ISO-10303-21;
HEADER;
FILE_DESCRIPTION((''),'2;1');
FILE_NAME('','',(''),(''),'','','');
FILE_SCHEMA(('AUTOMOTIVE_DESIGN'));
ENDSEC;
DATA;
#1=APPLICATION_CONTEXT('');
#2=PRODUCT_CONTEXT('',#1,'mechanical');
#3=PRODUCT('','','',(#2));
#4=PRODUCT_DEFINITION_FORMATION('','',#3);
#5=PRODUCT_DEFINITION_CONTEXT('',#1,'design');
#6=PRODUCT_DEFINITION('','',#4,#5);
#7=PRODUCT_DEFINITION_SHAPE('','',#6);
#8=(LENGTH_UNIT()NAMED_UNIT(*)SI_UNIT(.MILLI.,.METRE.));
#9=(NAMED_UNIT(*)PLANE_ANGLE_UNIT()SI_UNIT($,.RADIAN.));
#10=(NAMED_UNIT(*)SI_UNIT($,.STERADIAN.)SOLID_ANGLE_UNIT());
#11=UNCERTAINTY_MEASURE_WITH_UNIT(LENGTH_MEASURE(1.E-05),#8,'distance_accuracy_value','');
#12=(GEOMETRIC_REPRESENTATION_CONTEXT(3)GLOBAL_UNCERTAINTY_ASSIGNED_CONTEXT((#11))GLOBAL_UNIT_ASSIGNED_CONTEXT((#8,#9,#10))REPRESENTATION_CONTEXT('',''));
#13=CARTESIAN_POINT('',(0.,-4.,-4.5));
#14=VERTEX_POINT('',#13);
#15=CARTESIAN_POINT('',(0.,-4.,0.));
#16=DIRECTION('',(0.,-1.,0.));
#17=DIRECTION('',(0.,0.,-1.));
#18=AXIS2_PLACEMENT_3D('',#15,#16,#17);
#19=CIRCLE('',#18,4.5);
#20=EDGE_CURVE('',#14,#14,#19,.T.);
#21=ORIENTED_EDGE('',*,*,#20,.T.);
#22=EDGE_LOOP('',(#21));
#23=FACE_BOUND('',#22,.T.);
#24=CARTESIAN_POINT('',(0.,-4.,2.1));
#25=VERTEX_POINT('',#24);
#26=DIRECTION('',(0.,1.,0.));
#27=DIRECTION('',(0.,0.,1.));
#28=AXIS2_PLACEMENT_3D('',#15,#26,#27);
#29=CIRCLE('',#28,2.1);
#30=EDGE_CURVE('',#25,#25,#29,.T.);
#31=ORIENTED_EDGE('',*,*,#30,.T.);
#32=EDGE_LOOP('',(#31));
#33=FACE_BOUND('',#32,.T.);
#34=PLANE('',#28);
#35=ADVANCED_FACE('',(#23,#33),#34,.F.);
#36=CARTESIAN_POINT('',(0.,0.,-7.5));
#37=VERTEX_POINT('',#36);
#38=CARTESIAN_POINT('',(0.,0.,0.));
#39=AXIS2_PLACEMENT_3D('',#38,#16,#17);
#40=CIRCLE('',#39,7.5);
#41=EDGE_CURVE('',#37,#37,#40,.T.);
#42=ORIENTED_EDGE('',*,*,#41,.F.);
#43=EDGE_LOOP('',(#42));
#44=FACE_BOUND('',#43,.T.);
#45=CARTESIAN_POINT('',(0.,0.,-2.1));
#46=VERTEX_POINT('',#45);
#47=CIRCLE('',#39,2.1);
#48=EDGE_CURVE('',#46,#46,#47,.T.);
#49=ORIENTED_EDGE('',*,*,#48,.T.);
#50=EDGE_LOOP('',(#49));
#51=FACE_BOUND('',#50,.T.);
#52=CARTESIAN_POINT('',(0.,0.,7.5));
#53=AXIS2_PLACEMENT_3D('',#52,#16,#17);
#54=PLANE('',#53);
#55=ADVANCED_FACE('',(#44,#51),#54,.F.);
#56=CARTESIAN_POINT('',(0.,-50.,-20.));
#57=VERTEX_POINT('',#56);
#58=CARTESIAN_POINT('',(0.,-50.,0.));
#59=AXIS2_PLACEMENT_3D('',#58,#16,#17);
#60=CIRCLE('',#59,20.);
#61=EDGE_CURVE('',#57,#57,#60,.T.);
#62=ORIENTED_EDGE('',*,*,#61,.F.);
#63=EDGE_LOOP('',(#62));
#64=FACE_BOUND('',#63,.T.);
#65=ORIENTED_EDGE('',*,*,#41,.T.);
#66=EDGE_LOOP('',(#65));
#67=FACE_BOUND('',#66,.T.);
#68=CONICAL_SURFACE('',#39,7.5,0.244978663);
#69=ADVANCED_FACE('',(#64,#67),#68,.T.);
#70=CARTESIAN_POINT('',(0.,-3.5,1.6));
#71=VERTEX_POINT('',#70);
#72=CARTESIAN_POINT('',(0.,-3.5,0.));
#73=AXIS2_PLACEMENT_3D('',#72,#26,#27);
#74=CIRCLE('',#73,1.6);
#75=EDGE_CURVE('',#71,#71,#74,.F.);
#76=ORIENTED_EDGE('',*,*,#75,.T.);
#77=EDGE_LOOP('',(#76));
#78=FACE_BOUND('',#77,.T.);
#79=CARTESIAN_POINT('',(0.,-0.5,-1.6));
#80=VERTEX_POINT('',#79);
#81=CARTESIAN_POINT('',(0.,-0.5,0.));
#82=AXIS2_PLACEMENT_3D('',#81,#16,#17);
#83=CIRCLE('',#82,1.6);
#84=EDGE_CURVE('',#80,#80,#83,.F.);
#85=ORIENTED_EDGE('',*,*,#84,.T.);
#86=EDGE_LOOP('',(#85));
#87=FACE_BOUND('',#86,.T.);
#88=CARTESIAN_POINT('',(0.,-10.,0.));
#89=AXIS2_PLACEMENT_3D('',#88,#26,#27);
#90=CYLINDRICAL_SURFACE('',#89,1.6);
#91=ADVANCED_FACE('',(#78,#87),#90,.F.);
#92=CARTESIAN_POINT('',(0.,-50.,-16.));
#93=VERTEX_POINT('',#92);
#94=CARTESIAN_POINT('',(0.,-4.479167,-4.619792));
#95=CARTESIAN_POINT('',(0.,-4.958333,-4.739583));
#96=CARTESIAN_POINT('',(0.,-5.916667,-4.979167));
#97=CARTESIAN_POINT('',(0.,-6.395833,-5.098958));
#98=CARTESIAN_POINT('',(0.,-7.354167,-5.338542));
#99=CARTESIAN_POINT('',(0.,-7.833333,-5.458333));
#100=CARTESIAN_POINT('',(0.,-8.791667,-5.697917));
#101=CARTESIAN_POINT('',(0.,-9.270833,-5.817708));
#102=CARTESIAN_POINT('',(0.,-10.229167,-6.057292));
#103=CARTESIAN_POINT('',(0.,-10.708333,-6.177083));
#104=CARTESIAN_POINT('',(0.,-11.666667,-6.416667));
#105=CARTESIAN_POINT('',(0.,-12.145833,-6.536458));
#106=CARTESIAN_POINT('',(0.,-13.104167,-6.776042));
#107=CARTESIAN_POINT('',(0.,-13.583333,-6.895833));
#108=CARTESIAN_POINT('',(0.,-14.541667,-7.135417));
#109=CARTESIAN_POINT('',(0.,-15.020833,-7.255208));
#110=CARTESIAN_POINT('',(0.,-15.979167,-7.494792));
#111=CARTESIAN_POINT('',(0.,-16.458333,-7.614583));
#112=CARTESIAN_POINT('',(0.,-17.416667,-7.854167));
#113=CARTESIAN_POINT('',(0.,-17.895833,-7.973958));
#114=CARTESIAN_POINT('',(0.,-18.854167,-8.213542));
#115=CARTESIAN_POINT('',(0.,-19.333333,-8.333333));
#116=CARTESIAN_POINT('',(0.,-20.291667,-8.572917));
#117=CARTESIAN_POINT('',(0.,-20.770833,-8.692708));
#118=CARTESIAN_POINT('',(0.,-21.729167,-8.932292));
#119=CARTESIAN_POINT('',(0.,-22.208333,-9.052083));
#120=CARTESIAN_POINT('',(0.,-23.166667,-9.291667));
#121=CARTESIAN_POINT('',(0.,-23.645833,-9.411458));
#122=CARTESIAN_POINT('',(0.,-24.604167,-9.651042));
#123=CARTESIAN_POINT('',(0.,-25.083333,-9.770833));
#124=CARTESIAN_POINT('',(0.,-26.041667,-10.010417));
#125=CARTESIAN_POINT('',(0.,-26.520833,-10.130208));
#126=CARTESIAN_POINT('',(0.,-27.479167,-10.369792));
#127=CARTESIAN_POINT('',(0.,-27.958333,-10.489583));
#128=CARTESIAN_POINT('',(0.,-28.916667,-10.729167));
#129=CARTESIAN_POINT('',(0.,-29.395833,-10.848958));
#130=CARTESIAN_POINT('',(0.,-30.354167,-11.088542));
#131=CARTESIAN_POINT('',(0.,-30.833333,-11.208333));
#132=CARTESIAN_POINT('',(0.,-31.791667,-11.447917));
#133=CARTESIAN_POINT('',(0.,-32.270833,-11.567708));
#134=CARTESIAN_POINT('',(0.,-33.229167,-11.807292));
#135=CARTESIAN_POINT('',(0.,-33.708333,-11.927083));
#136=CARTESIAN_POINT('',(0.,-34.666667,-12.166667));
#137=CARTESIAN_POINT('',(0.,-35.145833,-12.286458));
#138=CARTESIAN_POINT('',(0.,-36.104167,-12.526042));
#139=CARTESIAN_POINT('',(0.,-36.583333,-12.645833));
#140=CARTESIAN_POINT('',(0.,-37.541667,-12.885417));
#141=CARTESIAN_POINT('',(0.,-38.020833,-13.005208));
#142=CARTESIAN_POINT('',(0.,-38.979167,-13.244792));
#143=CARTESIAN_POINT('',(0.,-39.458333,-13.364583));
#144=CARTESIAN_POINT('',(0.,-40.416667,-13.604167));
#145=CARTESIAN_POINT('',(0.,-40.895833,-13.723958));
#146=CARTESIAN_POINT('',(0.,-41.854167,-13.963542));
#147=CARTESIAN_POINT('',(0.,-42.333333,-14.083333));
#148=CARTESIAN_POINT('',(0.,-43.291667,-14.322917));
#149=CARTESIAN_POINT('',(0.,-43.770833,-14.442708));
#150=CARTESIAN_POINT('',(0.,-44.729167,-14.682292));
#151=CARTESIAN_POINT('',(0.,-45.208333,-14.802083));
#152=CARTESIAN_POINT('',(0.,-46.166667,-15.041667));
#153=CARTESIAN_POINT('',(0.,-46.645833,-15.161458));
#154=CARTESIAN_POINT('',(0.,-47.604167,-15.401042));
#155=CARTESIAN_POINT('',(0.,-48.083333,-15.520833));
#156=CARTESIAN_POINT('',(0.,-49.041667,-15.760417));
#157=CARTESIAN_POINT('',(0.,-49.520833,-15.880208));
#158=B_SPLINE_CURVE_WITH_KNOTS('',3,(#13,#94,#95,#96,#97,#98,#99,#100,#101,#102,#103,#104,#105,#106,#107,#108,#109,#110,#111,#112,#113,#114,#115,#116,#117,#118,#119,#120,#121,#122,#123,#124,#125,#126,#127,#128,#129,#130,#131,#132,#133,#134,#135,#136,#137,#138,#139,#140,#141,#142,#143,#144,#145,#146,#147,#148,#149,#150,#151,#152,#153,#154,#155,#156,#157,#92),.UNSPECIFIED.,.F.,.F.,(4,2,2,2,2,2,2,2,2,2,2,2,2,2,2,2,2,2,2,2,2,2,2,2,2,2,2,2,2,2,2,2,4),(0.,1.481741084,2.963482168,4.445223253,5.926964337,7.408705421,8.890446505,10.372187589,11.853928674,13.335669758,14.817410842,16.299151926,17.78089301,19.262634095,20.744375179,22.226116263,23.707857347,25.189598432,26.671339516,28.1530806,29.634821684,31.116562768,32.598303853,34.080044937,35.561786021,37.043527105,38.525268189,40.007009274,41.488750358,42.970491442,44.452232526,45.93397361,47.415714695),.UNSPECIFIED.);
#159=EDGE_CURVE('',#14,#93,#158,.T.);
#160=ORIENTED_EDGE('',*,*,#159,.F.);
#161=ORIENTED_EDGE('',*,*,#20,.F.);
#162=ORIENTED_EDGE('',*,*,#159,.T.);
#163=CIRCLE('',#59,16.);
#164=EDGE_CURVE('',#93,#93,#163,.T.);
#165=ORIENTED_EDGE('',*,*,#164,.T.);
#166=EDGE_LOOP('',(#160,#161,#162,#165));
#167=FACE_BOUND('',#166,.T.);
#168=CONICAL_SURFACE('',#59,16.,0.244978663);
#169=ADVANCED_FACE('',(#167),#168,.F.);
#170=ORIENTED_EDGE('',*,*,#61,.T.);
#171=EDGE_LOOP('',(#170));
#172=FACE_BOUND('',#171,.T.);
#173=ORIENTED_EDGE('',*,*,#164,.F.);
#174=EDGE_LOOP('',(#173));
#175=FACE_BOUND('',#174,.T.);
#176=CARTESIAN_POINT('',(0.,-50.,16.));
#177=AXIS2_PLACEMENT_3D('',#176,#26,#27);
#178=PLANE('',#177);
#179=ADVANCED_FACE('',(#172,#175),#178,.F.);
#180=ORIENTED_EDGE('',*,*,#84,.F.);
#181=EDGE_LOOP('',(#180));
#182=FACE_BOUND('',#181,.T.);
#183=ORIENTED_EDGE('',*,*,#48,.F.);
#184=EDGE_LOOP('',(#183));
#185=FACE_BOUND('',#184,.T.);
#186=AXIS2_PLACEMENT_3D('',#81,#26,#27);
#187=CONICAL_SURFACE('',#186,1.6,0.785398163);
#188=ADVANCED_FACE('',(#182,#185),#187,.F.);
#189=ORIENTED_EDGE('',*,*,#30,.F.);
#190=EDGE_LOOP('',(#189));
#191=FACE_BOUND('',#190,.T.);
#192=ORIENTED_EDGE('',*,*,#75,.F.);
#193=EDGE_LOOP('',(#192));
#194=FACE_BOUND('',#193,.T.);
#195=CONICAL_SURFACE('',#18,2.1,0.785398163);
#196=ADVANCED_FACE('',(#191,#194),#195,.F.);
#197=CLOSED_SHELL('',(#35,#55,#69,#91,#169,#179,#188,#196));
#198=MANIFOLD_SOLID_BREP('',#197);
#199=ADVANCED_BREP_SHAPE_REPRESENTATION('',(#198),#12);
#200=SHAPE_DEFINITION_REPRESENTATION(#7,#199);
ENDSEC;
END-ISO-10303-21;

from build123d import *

# Parameters (mm, degrees)
SKETCH_4_R          = 1.6
CUT_EXTRUDE_1_DEPTH = 10
CHAMFER_1_SIZE      = 0.5


with BuildPart() as part:
    # 草图3 → 旋转1 (revolve)
    with BuildSketch(Plane(origin=(0, 0, 0), x_dir=(0, 0, -1), z_dir=(1, 0, 0)), mode=Mode.PRIVATE) as revolve_1_sk:
        Polygon((-7.5, 0), (0, 0), (0, -4), (-4.5, -4), (-16, -50), (-20, -50), align=None)
    revolve(revolve_1_sk.sketch.rotate(Axis((0, 28.450677981, 0), (0, 1, 0)), 180), axis=Axis((0, 28.450677981, 0), (0, 1, 0)))

    # 草图4 → 切除-拉伸1 (cut)
    with BuildSketch(Plane(origin=(0, 0, 0), x_dir=(1, 0, 0), z_dir=(0, 1, 0))):
        with Locations(Location((0, 0, 0), (0, 0, 270))):
            Circle(SKETCH_4_R)
    extrude(amount=-CUT_EXTRUDE_1_DEPTH, mode=Mode.SUBTRACT)

    # 倒角1
    chamfer_1_edges = [part.edges().sort_by_distance(p)[0] for p in [
        (0, -4, -1.6),
        (0, 0, -1.6),
    ]]
    chamfer(chamfer_1_edges, length=CHAMFER_1_SIZE)


solid = part.part
